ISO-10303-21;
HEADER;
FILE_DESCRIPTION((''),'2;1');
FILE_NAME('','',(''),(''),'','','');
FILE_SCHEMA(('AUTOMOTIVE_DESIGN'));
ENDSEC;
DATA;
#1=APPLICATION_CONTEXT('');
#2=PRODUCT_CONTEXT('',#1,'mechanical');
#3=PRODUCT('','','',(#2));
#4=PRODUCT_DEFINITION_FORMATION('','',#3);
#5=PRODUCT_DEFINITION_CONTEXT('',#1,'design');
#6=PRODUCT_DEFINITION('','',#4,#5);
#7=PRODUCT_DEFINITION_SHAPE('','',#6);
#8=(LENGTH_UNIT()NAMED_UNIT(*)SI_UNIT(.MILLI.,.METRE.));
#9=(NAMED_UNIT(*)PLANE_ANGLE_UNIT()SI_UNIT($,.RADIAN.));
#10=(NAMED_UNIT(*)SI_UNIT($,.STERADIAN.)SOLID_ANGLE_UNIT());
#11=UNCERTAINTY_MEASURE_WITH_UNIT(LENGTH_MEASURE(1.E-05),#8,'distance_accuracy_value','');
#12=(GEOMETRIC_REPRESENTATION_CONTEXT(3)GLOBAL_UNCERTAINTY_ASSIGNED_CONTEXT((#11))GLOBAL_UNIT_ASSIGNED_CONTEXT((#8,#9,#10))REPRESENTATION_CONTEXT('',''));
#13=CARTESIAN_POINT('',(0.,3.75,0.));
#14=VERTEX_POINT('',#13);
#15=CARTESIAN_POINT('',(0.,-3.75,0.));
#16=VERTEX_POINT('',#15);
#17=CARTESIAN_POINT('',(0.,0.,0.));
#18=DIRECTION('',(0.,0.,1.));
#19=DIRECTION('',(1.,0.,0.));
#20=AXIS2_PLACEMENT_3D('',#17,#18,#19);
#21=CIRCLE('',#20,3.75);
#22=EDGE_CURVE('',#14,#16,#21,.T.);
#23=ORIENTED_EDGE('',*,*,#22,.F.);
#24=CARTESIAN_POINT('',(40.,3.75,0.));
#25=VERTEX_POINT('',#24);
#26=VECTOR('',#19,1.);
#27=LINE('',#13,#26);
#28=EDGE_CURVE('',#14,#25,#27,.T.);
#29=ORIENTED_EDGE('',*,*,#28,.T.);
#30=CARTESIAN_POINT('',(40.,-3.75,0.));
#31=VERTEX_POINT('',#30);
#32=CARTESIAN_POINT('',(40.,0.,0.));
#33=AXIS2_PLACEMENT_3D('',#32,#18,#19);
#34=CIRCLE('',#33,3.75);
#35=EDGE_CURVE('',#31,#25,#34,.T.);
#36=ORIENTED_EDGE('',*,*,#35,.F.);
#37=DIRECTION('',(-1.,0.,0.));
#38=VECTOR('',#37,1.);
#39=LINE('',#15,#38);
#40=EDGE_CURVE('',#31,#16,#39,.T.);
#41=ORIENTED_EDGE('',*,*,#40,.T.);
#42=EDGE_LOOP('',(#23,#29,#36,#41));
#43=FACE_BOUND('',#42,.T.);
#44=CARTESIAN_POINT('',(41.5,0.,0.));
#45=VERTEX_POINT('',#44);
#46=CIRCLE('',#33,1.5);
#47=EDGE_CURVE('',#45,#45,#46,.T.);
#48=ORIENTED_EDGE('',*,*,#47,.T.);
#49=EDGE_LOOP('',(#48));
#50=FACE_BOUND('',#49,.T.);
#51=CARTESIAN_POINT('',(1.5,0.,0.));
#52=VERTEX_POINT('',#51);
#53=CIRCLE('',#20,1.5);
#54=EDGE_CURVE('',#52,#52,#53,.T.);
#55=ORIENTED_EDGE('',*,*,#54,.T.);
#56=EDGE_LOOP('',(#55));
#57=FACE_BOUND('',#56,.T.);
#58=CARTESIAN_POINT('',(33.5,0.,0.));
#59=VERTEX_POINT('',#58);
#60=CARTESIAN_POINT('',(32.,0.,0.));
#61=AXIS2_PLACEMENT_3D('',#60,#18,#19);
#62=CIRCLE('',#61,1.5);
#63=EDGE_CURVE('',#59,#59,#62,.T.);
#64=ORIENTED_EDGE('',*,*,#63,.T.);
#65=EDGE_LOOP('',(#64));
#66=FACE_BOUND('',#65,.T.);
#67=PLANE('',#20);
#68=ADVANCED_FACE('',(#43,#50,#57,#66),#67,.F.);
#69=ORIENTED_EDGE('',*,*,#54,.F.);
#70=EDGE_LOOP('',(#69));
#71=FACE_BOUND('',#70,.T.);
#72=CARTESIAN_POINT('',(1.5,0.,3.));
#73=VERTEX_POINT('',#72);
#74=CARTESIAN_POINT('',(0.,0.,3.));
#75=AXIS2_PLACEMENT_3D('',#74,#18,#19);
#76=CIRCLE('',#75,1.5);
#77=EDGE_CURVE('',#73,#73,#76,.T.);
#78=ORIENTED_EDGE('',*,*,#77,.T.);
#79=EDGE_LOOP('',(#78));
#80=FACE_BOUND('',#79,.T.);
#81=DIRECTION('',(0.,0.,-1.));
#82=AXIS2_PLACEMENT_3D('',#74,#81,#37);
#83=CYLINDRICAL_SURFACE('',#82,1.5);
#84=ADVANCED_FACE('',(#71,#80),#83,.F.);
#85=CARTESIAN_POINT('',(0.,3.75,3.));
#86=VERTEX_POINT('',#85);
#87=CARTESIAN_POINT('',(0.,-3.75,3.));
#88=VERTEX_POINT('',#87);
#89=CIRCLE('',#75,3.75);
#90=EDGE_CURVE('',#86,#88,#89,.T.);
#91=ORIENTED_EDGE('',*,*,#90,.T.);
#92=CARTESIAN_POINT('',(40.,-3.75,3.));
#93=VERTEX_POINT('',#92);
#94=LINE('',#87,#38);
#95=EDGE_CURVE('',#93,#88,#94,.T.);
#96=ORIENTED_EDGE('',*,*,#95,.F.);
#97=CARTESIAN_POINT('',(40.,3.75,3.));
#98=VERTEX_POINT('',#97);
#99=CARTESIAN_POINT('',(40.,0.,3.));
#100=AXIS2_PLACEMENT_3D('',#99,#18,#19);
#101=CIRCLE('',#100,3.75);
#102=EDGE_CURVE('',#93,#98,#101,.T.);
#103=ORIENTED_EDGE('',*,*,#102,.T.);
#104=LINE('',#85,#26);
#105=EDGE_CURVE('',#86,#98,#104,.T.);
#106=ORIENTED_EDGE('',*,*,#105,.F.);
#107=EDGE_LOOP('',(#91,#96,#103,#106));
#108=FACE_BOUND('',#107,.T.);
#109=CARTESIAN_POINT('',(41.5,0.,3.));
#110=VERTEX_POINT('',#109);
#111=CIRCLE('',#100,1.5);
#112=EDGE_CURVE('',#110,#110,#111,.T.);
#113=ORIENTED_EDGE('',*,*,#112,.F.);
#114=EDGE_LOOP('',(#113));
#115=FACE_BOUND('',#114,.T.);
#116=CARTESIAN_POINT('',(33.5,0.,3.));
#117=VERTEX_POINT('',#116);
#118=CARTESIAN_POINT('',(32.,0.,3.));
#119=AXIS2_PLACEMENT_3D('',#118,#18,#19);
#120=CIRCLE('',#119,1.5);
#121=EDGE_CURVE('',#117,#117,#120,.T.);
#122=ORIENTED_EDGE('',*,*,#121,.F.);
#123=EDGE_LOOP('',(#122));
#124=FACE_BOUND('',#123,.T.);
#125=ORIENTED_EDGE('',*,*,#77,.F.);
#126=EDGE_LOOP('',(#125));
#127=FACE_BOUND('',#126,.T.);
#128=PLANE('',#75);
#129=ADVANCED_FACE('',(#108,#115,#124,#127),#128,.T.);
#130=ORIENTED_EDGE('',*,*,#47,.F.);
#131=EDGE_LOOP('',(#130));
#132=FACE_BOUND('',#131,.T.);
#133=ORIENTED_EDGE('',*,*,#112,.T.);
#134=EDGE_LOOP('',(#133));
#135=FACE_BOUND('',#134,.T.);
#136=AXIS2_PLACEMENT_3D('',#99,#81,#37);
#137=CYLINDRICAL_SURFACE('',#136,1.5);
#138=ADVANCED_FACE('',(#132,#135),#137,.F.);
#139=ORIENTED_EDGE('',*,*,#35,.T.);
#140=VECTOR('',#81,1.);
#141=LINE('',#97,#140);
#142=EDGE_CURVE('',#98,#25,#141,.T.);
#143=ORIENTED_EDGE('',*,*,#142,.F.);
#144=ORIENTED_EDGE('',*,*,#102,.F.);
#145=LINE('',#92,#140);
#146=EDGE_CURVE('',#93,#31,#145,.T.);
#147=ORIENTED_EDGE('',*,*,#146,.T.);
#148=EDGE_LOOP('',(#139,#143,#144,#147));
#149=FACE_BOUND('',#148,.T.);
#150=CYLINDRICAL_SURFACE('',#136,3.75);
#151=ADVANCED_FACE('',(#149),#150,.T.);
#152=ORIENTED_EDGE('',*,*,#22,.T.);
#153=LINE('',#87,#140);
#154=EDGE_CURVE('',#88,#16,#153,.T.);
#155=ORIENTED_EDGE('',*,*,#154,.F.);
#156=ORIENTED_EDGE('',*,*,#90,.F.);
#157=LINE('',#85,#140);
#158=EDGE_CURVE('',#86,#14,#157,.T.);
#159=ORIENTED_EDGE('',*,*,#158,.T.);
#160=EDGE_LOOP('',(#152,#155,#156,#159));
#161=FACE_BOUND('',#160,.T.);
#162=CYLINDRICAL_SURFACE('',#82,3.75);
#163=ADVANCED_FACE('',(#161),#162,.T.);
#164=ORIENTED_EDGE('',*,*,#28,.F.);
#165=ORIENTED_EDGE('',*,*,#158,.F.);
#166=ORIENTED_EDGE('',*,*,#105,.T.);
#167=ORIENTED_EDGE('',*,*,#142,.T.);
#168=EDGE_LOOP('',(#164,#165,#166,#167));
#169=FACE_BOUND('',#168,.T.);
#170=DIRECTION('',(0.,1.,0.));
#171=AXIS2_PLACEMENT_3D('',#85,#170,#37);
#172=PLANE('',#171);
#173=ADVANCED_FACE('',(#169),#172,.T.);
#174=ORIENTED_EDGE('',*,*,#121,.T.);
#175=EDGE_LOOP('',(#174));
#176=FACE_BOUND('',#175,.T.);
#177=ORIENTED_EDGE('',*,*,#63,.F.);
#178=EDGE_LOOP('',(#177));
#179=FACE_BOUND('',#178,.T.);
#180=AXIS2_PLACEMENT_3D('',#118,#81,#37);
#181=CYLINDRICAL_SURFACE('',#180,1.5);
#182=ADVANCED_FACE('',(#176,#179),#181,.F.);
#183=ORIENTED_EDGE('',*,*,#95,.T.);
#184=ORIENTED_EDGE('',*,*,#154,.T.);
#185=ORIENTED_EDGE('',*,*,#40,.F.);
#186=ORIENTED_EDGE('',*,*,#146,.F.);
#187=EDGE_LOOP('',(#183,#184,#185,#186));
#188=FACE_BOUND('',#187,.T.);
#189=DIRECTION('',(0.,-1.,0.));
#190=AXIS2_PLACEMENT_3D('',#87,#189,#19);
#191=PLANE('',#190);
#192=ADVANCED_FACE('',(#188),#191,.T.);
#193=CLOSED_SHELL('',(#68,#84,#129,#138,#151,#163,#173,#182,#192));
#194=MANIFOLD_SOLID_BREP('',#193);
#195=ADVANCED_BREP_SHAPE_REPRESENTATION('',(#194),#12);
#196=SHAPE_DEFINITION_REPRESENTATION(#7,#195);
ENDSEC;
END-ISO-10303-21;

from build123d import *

# Parameters (mm, degrees)
SKETCH1_R           = 1.5
SKETCH1_R_2         = 3.75
BOSS_EXTRUDE1_DEPTH = 3


with BuildPart() as part:
    # Sketch1 → Boss-Extrude1 (new body)
    # profile 1 of 3: a face of its own
    with BuildSketch(Plane.XY):
        with BuildLine():
            Line((40, 3.75), (0, 3.75))
            ThreePointArc((0, 3.75), (2.651650429, 2.651650429), (3.75, 0))
            ThreePointArc((3.75, 0), (2.651650429, -2.651650429), (0, -3.75))
            Line((0, -3.75), (40, -3.75))
            ThreePointArc((40, -3.75), (36.25, 0), (40, 3.75))
        make_face()
        with Locations((32, 0)):
            Circle(SKETCH1_R, mode=Mode.SUBTRACT)
    # profile 2 of 3: a face of its own
    with BuildSketch(Plane.XY):
        Circle(SKETCH1_R_2)
        Circle(SKETCH1_R, mode=Mode.SUBTRACT)
    # profile 3 of 3: a face of its own
    with BuildSketch(Plane.XY):
        with Locations((40, 0)):
            Circle(SKETCH1_R_2)
        with Locations((40, 0)):
            Circle(SKETCH1_R, mode=Mode.SUBTRACT)
    extrude(amount=BOSS_EXTRUDE1_DEPTH)


solid = part.part
